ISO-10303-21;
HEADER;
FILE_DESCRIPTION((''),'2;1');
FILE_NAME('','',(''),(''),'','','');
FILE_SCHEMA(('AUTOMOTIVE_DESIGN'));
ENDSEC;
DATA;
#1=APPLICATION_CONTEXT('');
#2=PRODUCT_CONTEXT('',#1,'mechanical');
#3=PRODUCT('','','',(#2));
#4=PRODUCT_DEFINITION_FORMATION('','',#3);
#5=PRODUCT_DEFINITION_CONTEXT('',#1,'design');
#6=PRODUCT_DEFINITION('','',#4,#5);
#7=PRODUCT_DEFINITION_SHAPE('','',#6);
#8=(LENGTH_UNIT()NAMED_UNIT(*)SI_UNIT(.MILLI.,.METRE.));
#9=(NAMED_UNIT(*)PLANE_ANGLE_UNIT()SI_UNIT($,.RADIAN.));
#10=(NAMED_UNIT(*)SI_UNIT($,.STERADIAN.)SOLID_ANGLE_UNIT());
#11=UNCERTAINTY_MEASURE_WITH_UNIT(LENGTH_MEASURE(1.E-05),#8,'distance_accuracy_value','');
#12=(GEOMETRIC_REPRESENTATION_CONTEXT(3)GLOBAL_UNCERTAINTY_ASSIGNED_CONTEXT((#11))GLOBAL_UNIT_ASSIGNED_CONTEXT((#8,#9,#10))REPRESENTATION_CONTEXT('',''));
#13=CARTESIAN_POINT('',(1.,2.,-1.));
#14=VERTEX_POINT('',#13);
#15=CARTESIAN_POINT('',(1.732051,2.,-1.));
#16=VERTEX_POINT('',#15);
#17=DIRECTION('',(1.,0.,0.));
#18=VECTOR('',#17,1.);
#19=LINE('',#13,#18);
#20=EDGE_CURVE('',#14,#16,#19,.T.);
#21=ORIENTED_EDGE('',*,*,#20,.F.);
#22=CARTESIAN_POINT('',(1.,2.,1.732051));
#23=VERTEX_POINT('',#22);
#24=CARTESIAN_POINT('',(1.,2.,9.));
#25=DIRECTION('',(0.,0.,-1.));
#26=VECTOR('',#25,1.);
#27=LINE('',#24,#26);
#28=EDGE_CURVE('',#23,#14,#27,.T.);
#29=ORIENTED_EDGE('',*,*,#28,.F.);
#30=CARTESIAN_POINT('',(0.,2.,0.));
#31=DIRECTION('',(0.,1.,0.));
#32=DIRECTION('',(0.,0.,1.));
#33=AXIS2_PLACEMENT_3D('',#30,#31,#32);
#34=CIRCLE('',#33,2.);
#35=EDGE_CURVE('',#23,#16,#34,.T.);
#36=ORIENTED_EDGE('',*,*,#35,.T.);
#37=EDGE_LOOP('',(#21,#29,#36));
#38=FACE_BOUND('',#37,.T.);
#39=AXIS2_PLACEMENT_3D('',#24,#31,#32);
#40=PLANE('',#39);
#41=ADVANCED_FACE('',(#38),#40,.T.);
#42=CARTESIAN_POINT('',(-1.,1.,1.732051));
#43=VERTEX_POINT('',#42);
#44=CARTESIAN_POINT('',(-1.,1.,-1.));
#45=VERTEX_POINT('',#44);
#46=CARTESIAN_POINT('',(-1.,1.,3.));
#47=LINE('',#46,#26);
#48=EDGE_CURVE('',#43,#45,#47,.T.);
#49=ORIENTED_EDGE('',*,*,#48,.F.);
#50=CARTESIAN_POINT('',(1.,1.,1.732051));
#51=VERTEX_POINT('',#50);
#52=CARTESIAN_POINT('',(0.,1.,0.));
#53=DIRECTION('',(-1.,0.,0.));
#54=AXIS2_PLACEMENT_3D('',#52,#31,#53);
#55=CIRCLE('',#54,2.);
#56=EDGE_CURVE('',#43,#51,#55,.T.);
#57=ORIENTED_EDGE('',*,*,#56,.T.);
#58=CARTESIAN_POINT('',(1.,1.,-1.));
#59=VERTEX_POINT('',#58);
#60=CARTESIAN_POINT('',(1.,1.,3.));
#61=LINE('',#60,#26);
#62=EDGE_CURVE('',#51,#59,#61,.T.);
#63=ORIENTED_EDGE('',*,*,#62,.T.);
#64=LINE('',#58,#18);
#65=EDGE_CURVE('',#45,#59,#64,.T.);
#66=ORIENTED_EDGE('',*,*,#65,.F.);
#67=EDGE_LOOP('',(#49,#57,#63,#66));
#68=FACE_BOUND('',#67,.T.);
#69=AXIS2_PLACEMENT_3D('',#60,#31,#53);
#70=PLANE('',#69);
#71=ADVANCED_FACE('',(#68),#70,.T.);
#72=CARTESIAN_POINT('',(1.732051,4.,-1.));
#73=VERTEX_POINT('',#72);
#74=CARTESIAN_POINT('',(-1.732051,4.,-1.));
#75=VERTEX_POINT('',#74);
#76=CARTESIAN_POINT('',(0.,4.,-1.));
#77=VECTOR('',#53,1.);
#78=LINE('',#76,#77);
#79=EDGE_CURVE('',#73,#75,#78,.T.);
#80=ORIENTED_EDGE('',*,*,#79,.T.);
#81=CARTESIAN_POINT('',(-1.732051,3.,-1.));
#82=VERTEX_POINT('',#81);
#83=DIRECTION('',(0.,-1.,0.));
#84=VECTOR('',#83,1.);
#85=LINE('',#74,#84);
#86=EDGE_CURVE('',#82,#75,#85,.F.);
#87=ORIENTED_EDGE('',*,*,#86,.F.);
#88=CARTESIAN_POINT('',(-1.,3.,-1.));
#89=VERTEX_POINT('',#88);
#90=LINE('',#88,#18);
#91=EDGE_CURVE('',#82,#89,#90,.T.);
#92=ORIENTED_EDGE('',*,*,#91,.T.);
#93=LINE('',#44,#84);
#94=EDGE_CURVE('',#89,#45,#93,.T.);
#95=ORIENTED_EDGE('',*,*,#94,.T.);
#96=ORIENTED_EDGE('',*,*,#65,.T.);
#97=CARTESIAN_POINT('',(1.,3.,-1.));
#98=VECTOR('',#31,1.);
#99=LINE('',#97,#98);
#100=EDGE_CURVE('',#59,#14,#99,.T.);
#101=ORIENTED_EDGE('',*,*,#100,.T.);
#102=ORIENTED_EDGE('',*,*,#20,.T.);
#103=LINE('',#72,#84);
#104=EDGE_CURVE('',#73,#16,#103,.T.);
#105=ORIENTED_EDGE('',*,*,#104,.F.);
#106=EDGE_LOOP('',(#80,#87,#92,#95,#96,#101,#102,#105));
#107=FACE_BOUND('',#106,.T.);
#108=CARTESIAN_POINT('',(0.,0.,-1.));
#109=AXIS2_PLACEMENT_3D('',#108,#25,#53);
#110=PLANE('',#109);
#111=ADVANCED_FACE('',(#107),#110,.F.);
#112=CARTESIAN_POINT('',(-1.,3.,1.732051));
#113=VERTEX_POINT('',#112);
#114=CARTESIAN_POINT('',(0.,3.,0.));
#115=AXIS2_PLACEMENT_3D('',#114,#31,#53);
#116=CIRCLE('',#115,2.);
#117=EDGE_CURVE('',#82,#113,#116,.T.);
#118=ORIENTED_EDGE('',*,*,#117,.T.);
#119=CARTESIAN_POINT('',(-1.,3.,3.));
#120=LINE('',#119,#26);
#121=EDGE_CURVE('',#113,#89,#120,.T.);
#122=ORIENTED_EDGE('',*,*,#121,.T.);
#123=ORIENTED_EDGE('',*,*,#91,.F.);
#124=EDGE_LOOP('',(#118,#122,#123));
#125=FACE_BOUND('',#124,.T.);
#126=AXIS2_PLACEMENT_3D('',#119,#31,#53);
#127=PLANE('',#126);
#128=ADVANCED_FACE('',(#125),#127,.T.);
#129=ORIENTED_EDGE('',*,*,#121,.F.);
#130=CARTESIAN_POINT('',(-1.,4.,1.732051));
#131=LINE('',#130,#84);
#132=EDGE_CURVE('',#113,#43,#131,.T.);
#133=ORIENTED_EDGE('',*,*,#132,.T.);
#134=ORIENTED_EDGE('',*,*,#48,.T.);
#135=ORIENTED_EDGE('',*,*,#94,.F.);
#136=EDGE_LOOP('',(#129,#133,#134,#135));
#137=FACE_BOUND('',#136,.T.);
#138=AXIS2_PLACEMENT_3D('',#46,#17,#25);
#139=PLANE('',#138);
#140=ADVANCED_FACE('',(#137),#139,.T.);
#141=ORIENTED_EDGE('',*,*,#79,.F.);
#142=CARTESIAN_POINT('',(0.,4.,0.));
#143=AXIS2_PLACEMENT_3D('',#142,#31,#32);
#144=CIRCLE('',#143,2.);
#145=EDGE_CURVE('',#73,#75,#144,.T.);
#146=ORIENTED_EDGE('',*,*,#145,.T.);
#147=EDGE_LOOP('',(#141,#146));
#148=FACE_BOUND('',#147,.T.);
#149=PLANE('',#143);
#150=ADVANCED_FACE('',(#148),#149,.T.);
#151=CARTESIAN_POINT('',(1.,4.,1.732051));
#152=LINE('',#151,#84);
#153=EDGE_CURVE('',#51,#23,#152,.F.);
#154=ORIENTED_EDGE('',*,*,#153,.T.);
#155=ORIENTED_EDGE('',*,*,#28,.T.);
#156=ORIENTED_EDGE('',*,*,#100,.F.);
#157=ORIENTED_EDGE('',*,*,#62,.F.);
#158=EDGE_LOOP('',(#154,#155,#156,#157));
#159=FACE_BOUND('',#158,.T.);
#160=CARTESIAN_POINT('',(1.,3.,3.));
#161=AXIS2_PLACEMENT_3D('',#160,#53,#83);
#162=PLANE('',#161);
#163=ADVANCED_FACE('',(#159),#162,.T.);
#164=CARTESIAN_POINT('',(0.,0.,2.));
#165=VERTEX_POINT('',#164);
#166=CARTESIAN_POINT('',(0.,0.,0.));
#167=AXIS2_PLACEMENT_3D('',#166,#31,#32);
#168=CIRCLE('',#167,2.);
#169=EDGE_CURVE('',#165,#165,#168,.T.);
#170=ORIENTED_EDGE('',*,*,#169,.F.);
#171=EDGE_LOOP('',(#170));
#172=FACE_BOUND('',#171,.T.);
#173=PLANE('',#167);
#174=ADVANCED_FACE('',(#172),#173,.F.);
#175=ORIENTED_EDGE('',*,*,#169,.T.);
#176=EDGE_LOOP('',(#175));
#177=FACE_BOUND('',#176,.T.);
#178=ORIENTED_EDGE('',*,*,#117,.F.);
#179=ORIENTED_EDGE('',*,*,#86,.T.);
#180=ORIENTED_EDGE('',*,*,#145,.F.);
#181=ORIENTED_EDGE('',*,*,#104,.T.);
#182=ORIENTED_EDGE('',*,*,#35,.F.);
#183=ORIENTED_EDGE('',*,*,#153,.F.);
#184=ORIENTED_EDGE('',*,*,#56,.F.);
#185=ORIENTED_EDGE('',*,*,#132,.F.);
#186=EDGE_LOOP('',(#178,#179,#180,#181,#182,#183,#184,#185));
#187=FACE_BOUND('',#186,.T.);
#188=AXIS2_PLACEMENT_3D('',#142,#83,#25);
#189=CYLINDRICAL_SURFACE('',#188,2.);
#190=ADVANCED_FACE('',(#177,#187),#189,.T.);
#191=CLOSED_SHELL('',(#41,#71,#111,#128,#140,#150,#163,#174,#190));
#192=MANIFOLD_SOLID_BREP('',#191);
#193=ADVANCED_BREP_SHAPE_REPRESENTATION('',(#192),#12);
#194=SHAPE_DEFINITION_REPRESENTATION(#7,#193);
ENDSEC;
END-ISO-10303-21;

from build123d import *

# Parameters (mm, degrees)
SKETCH1_R               = 2
BOSS_EXTRUDE1_DEPTH     = 4
CUT_EXTRUDE1_DEPTH      = 3
CUT_EXTRUDE1_DEPTH_BACK = 1
SKETCH3_W               = 1
SKETCH3_H               = 1
CUT_EXTRUDE2_DEPTH      = 10


with BuildPart() as part:
    # Sketch1 → Boss-Extrude1 (new body)
    with BuildSketch(Plane(origin=(0, 0, 0), x_dir=(1, 0, 0), z_dir=(0, 1, 0))):
        Circle(SKETCH1_R)
    extrude(amount=BOSS_EXTRUDE1_DEPTH)

    # Sketch2 → Cut-Extrude1 (cut, two sides)
    with BuildSketch(Plane.XY) as cut_extrude1_sk:
        Polygon((-2, 4), (2, 4), (2, 3), (1, 3), (1, 1), (-1, 1), (-1, 3), (-2, 3), align=None)
    extrude(amount=CUT_EXTRUDE1_DEPTH, mode=Mode.SUBTRACT)
    extrude(cut_extrude1_sk.sketch, amount=-CUT_EXTRUDE1_DEPTH_BACK, mode=Mode.SUBTRACT)

    # Sketch3 → Cut-Extrude2 (cut)
    with BuildSketch(Plane.XY.offset(-1)):
        with Locations((1.5, 2.5)):
            Rectangle(SKETCH3_W, SKETCH3_H)
    extrude(amount=CUT_EXTRUDE2_DEPTH, mode=Mode.SUBTRACT)


solid = part.part
